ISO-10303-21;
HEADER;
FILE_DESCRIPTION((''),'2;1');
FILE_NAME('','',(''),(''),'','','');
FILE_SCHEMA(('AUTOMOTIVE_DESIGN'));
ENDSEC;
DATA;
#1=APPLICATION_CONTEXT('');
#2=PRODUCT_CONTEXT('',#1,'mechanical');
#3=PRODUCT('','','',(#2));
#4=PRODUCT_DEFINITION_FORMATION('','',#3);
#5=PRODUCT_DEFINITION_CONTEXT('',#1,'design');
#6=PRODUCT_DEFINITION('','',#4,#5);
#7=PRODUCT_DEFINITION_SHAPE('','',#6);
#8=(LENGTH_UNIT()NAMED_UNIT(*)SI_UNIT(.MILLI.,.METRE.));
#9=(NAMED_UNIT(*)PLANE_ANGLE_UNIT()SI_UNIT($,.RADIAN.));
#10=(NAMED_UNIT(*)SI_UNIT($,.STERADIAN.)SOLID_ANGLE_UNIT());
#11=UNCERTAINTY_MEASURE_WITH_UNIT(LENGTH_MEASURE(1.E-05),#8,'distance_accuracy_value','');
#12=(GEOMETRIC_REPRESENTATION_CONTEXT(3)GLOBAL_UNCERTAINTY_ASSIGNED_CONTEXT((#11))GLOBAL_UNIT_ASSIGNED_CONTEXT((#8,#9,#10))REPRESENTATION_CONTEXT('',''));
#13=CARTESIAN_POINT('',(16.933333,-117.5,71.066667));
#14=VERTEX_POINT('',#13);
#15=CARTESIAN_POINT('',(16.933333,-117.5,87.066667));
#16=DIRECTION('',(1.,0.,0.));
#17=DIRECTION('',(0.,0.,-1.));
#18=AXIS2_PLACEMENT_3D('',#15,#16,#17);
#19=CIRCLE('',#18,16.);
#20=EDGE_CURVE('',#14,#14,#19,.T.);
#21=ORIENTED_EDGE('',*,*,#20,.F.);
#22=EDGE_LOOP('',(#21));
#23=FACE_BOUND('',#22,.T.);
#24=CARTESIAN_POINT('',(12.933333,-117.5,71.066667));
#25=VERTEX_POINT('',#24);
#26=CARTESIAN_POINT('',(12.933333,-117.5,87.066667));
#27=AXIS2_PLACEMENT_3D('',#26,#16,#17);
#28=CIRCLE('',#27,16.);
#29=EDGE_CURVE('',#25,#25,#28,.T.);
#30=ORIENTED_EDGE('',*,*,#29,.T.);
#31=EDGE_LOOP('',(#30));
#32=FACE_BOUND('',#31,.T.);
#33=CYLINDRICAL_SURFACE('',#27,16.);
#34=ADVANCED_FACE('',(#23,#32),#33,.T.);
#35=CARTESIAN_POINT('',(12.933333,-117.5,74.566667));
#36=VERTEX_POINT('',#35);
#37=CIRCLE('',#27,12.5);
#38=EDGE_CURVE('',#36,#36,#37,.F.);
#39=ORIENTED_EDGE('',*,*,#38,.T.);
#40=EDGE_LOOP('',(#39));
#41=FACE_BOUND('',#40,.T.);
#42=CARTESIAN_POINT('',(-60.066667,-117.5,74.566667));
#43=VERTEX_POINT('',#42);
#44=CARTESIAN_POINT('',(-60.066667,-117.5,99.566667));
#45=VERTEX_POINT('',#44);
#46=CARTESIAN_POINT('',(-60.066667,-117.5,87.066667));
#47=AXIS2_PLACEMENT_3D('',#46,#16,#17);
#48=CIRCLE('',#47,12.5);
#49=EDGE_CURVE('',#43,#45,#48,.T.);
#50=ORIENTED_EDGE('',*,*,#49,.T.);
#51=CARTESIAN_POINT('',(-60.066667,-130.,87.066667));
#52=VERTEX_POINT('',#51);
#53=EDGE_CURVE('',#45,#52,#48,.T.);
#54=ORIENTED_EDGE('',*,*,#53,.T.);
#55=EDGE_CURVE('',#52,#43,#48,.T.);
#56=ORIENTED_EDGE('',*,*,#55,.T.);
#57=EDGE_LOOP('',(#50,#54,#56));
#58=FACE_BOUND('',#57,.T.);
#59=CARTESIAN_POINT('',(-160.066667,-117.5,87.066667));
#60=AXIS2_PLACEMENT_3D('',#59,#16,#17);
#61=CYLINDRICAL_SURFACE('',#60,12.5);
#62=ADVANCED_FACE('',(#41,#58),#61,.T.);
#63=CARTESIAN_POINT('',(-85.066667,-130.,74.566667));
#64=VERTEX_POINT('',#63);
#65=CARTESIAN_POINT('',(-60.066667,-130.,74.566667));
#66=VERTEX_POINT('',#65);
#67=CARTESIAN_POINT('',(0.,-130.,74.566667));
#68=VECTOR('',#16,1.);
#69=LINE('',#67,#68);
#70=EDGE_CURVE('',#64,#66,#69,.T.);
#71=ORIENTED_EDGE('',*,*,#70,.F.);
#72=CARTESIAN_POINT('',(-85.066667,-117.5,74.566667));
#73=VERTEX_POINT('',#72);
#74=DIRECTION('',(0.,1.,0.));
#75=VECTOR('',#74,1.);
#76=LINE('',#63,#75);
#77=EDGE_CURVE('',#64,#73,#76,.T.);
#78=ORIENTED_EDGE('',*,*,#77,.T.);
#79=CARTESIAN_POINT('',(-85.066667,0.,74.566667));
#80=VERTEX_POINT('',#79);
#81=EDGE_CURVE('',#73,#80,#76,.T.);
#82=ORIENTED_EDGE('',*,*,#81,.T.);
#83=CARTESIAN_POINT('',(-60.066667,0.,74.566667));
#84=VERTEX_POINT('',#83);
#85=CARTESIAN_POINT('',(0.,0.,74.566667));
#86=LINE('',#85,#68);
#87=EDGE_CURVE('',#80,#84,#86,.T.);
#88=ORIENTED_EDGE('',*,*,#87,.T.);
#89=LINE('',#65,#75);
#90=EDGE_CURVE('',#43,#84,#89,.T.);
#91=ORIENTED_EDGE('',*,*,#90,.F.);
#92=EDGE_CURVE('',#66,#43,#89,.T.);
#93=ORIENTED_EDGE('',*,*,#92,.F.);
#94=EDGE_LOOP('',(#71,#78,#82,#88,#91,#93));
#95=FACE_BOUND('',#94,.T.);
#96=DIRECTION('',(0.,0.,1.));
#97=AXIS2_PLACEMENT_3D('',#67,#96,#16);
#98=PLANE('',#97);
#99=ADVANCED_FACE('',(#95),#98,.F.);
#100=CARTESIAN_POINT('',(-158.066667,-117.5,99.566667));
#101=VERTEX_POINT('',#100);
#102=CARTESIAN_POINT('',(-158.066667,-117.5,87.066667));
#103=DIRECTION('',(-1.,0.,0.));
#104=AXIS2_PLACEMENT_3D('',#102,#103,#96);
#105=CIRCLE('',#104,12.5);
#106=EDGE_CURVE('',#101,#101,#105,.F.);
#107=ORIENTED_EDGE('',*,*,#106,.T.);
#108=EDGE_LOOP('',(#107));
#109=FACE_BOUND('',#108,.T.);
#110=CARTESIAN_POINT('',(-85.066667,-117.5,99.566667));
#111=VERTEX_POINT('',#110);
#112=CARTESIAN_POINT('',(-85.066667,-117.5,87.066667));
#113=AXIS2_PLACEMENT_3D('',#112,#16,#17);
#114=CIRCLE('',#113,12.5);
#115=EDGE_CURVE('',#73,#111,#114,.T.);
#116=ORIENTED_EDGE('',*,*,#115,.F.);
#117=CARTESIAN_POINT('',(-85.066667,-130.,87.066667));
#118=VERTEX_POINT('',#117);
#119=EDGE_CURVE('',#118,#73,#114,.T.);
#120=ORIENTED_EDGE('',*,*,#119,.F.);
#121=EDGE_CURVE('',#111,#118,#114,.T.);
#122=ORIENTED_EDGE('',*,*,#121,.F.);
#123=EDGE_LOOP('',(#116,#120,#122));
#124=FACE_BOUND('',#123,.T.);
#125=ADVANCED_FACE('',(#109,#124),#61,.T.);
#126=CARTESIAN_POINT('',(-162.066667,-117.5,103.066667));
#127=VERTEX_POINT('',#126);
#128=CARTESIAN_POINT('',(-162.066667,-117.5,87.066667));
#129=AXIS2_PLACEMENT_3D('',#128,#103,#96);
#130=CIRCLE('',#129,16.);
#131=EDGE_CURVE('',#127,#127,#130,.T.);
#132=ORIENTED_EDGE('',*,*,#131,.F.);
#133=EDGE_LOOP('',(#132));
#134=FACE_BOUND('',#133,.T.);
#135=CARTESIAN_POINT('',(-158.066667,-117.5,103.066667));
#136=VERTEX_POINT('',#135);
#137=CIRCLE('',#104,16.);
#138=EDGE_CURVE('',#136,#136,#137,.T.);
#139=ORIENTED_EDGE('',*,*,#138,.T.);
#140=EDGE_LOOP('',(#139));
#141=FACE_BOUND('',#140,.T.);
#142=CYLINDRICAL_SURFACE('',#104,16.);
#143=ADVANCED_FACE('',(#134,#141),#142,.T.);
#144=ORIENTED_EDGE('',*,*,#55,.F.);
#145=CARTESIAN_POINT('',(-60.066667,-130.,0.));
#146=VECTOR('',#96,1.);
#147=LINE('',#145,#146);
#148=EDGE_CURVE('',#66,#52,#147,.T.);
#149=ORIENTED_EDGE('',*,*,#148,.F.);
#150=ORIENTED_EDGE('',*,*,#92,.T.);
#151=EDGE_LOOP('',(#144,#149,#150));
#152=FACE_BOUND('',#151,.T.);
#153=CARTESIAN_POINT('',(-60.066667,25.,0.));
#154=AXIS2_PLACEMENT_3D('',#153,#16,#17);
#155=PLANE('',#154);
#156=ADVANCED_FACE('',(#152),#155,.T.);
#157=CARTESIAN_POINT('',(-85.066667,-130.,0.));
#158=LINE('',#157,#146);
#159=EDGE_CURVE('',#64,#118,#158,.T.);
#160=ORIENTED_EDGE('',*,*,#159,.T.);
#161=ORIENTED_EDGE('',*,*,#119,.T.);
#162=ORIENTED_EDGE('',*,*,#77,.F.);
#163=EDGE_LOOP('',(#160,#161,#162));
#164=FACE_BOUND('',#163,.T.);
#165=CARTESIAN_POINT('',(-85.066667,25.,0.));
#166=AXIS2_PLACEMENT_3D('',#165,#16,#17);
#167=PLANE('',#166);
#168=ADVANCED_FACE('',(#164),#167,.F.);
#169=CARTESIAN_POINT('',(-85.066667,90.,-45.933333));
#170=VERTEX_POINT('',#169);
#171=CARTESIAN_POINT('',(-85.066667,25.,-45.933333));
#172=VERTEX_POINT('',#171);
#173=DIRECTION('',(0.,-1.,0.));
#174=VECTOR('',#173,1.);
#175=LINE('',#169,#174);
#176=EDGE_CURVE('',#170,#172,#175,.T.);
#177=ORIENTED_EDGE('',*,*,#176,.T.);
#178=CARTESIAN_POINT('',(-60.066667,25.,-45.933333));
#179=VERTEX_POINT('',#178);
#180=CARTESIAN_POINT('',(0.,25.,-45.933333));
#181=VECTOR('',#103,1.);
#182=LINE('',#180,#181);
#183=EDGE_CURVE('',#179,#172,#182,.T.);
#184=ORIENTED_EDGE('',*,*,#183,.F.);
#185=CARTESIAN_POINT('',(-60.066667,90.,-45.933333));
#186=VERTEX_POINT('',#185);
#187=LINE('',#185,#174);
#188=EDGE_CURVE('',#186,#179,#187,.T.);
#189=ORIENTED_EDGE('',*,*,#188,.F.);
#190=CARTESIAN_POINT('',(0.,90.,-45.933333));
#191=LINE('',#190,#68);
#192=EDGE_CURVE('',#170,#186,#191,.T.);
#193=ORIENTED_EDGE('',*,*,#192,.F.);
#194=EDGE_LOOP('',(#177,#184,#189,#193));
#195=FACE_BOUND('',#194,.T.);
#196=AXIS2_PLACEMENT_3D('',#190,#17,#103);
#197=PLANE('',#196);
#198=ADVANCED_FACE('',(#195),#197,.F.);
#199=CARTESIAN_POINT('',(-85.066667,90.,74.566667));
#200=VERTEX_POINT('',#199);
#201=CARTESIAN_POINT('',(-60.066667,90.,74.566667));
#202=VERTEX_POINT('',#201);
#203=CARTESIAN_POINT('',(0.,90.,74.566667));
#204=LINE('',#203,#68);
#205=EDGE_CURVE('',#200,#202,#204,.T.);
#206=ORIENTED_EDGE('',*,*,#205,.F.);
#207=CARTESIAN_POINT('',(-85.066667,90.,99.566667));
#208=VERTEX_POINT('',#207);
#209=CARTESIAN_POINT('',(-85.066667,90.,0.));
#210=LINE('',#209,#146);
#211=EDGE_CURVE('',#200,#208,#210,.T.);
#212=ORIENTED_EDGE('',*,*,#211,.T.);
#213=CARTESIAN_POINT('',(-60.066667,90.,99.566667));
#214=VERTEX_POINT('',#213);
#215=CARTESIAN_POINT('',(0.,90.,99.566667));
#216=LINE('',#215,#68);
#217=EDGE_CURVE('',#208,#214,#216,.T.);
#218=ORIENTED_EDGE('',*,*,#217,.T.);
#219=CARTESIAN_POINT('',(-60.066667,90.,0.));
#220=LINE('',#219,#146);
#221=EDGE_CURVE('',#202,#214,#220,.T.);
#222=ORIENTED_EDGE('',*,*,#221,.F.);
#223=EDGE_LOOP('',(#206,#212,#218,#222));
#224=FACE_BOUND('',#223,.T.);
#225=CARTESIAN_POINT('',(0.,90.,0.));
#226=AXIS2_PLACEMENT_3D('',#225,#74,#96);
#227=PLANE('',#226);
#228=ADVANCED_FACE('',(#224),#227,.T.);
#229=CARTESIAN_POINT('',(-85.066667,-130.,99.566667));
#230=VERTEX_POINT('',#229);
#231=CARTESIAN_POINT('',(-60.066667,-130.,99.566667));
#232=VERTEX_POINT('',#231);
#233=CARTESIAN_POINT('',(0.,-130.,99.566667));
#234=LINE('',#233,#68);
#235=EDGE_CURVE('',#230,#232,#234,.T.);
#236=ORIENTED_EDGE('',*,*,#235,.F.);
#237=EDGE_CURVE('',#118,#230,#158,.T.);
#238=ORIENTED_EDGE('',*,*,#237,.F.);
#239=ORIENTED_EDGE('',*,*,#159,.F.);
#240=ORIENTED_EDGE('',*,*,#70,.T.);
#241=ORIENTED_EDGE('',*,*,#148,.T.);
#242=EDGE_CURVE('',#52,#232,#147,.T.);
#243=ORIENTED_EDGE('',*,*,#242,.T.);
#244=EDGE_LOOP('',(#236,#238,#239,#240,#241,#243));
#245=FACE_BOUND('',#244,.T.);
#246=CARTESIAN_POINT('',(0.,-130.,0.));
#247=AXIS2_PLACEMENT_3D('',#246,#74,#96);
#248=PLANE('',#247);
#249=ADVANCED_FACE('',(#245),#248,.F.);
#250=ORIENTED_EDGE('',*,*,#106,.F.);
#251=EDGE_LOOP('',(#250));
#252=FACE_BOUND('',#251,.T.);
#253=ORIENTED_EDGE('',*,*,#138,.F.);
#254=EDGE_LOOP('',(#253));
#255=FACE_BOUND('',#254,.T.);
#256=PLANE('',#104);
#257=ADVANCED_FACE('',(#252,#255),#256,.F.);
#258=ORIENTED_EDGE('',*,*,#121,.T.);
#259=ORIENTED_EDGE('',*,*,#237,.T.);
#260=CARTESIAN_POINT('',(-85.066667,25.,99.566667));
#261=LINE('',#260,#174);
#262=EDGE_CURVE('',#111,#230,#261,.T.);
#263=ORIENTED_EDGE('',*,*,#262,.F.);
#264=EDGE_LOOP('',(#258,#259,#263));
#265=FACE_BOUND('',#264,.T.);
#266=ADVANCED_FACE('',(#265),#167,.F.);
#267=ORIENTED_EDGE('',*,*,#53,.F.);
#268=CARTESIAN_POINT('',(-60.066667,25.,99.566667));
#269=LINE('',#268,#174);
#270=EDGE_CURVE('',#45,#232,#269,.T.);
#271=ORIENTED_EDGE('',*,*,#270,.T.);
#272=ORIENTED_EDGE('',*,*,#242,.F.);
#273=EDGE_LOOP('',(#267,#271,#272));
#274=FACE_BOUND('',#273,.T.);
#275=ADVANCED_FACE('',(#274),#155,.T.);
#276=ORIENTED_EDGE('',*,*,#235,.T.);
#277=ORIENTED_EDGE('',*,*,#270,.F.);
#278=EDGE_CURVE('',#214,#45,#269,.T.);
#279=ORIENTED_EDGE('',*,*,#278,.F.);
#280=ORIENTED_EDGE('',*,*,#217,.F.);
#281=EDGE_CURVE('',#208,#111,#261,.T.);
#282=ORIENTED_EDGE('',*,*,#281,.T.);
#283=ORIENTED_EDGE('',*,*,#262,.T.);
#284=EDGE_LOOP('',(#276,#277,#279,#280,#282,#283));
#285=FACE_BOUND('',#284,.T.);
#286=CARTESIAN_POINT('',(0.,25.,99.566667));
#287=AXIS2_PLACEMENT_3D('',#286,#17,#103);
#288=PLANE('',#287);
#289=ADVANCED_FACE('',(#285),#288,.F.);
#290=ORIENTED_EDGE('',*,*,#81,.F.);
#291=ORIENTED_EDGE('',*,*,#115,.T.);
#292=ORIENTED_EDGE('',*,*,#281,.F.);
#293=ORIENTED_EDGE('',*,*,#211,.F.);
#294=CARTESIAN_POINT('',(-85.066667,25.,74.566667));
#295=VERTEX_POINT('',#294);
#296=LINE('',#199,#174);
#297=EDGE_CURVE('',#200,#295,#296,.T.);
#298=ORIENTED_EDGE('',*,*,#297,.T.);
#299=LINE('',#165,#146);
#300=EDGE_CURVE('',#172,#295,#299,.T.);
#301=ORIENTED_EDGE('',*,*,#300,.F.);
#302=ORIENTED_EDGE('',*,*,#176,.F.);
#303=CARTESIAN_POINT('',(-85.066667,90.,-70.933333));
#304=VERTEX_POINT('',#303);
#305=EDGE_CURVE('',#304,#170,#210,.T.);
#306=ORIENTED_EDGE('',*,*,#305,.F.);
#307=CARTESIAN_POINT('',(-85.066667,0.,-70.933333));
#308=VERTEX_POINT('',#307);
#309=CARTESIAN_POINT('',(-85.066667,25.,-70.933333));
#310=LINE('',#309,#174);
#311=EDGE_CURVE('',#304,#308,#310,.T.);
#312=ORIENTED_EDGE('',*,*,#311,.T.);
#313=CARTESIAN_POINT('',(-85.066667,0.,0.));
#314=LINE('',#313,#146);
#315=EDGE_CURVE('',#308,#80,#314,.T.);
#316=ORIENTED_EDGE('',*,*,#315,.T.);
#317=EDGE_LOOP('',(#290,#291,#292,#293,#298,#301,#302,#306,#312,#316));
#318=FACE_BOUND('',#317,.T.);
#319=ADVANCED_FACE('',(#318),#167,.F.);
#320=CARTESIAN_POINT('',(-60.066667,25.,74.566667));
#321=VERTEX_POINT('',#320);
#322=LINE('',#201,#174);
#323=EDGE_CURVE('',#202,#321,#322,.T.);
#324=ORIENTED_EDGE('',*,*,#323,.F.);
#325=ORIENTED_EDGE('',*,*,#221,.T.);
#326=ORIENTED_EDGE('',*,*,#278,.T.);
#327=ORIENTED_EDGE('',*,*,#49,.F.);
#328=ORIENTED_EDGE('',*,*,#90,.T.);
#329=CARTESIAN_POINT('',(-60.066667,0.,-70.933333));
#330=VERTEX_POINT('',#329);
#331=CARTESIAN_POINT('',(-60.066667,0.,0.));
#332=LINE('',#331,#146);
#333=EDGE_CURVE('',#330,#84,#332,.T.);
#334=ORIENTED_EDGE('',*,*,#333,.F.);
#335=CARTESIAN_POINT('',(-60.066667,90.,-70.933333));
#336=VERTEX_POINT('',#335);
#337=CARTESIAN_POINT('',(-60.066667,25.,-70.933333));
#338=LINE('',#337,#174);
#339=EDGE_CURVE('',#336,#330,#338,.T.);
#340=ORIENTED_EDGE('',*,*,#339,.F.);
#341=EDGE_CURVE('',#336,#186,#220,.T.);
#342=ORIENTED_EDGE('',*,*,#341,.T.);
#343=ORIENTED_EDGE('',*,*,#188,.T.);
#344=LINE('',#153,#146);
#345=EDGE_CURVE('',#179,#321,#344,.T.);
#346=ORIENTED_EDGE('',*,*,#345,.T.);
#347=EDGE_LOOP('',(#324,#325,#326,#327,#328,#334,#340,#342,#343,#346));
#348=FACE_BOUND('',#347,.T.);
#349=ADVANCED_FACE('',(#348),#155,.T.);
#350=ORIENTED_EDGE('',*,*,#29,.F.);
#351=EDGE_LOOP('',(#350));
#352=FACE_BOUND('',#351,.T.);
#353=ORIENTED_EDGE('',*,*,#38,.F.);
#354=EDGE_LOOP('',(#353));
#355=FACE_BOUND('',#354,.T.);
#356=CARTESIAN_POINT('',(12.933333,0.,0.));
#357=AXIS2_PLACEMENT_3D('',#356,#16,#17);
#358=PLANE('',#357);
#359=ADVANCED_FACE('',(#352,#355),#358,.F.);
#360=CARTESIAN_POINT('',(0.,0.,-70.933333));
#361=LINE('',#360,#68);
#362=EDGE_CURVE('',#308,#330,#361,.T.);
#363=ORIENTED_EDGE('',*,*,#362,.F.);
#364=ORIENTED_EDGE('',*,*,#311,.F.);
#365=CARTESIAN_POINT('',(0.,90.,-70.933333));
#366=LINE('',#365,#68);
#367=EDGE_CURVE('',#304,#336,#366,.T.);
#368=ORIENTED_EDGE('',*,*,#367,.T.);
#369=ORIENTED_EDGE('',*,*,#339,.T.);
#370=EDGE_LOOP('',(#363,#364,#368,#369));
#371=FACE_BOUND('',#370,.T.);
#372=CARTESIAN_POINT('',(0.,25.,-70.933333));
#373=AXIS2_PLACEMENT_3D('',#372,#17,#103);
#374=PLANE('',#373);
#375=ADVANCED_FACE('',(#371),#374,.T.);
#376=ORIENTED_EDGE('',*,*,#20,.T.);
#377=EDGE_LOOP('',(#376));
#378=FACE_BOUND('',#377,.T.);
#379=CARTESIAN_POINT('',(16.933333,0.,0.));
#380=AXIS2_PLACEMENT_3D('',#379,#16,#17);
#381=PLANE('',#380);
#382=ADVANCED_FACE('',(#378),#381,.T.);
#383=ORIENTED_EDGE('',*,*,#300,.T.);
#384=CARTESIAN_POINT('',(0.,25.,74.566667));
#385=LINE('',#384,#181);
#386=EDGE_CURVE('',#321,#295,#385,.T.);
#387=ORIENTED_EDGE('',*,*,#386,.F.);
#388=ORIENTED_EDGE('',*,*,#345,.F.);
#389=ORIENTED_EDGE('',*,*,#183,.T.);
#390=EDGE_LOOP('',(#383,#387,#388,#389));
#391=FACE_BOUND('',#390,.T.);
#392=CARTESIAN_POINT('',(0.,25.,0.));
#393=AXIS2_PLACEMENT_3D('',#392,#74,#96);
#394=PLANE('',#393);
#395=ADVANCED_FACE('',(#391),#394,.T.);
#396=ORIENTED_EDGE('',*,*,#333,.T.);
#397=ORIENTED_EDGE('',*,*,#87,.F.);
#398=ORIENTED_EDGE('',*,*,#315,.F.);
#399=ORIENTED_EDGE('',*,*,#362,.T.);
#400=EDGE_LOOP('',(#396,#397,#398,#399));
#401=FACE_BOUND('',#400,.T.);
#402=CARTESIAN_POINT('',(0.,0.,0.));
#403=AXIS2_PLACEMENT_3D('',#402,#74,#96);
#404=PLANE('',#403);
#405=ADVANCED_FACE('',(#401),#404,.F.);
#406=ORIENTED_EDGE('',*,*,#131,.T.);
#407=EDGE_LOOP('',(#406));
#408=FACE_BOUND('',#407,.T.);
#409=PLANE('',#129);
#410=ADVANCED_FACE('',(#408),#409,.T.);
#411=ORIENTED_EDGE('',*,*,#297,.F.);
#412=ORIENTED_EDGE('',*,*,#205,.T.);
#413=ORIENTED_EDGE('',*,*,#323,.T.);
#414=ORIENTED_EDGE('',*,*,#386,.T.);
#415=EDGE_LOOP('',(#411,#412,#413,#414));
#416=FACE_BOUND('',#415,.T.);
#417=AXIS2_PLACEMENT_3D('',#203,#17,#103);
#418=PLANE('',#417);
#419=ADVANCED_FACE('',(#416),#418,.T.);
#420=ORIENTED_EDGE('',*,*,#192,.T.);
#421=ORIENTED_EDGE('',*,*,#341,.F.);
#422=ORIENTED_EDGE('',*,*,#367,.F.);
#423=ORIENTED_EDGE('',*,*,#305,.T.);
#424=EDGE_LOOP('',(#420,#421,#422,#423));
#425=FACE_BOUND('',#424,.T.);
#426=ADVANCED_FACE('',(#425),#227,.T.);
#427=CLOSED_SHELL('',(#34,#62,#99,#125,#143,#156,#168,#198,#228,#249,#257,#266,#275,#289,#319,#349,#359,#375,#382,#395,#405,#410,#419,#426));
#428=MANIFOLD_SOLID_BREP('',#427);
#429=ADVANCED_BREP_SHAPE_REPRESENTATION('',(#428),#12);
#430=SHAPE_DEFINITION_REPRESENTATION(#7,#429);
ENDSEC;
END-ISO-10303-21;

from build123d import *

# Parameters (mm, degrees)
SKETCH1_W                = 25
SKETCH1_H                = 170.5
BOSS_EXTRUDE1_DEPTH      = 25
SKETCH1_8_W              = 25
SKETCH1_8_H              = 25
BOSS_EXTRUDE2_DEPTH      = 90
BOSS_EXTRUDE3_DEPTH      = 90
BOSS_EXTRUDE3_DEPTH_BACK = 130
SKETCH1_9_W              = 25
SKETCH1_9_H              = 25
BOSS_EXTRUDE4_DEPTH      = 75
BOSS_EXTRUDE4_DEPTH_BACK = 100
SKETCH2_R                = 12.5
BOSS_EXTRUDE5_DEPTH      = 2
BOSS_EXTRUDE5_DEPTH_BACK = 2
SKETCH3_R                = 16
BOSS_EXTRUDE6_DEPTH      = 2
BOSS_EXTRUDE6_DEPTH_BACK = 2
SKETCH4_R                = 16


with BuildPart() as part:
    # Sketch1 → Boss-Extrude1 (new body)
    with BuildSketch(Plane(origin=(0, 0, 0), x_dir=(1, 0, 0), z_dir=(0, 1, 0))):
        with Locations((-72.566666667, -14.316666667)):
            Rectangle(SKETCH1_W, SKETCH1_H)
    extrude(amount=BOSS_EXTRUDE1_DEPTH)

    # Sketch1<8> → Boss-Extrude2 (add)
    with BuildSketch(Plane(origin=(0, 0, 0), x_dir=(1, 0, 0), z_dir=(0, 1, 0))):
        with Locations((-72.566666667, 58.433333333)):
            Rectangle(SKETCH1_8_W, SKETCH1_8_H)
        with Locations((-72.566666667, -87.066666667)):
            Rectangle(SKETCH1_8_W, SKETCH1_8_H)
    extrude(amount=BOSS_EXTRUDE2_DEPTH)

    # Sketch1<9> → Boss-Extrude3 (add, two sides: drawn at the far end of the back side and taken through both)
    with BuildSketch(Plane(origin=(0, 0, 0), x_dir=(1, 0, 0), z_dir=(0, 1, 0)).offset(-BOSS_EXTRUDE3_DEPTH_BACK)):
        with Locations((-72.566666667, -87.066666667)):
            Rectangle(SKETCH1_9_W, SKETCH1_9_H)
    extrude(amount=BOSS_EXTRUDE3_DEPTH + BOSS_EXTRUDE3_DEPTH_BACK)

    # Sketch2 → Boss-Extrude4 (add, two sides: drawn at the far end of the back side and taken through both)
    with BuildSketch(Plane(origin=(-60.066666667, 0, 0), x_dir=(0, 0, -1), z_dir=(1, 0, 0)).offset(-BOSS_EXTRUDE4_DEPTH_BACK)):
        with Locations((-87.066666667, -117.5)):
            Circle(SKETCH2_R)
    extrude(amount=BOSS_EXTRUDE4_DEPTH + BOSS_EXTRUDE4_DEPTH_BACK)

    # Sketch3 → Boss-Extrude5 (add, two sides: drawn at the far end of the back side and taken through both)
    with BuildSketch(Plane(origin=(14.933333333, 0, 0), x_dir=(0, 0, -1), z_dir=(1, 0, 0)).offset(-BOSS_EXTRUDE5_DEPTH_BACK)):
        with Locations((-87.066666667, -117.5)):
            Circle(SKETCH3_R)
    extrude(amount=BOSS_EXTRUDE5_DEPTH + BOSS_EXTRUDE5_DEPTH_BACK)

    # Sketch4 → Boss-Extrude6 (add, two sides: drawn at the far end of the back side and taken through both)
    with BuildSketch(Plane.ZY.offset(160.066666667).offset(-BOSS_EXTRUDE6_DEPTH_BACK)):
        with Locations((87.066666667, -117.5)):
            Circle(SKETCH4_R)
    extrude(amount=BOSS_EXTRUDE6_DEPTH + BOSS_EXTRUDE6_DEPTH_BACK)


solid = part.part
